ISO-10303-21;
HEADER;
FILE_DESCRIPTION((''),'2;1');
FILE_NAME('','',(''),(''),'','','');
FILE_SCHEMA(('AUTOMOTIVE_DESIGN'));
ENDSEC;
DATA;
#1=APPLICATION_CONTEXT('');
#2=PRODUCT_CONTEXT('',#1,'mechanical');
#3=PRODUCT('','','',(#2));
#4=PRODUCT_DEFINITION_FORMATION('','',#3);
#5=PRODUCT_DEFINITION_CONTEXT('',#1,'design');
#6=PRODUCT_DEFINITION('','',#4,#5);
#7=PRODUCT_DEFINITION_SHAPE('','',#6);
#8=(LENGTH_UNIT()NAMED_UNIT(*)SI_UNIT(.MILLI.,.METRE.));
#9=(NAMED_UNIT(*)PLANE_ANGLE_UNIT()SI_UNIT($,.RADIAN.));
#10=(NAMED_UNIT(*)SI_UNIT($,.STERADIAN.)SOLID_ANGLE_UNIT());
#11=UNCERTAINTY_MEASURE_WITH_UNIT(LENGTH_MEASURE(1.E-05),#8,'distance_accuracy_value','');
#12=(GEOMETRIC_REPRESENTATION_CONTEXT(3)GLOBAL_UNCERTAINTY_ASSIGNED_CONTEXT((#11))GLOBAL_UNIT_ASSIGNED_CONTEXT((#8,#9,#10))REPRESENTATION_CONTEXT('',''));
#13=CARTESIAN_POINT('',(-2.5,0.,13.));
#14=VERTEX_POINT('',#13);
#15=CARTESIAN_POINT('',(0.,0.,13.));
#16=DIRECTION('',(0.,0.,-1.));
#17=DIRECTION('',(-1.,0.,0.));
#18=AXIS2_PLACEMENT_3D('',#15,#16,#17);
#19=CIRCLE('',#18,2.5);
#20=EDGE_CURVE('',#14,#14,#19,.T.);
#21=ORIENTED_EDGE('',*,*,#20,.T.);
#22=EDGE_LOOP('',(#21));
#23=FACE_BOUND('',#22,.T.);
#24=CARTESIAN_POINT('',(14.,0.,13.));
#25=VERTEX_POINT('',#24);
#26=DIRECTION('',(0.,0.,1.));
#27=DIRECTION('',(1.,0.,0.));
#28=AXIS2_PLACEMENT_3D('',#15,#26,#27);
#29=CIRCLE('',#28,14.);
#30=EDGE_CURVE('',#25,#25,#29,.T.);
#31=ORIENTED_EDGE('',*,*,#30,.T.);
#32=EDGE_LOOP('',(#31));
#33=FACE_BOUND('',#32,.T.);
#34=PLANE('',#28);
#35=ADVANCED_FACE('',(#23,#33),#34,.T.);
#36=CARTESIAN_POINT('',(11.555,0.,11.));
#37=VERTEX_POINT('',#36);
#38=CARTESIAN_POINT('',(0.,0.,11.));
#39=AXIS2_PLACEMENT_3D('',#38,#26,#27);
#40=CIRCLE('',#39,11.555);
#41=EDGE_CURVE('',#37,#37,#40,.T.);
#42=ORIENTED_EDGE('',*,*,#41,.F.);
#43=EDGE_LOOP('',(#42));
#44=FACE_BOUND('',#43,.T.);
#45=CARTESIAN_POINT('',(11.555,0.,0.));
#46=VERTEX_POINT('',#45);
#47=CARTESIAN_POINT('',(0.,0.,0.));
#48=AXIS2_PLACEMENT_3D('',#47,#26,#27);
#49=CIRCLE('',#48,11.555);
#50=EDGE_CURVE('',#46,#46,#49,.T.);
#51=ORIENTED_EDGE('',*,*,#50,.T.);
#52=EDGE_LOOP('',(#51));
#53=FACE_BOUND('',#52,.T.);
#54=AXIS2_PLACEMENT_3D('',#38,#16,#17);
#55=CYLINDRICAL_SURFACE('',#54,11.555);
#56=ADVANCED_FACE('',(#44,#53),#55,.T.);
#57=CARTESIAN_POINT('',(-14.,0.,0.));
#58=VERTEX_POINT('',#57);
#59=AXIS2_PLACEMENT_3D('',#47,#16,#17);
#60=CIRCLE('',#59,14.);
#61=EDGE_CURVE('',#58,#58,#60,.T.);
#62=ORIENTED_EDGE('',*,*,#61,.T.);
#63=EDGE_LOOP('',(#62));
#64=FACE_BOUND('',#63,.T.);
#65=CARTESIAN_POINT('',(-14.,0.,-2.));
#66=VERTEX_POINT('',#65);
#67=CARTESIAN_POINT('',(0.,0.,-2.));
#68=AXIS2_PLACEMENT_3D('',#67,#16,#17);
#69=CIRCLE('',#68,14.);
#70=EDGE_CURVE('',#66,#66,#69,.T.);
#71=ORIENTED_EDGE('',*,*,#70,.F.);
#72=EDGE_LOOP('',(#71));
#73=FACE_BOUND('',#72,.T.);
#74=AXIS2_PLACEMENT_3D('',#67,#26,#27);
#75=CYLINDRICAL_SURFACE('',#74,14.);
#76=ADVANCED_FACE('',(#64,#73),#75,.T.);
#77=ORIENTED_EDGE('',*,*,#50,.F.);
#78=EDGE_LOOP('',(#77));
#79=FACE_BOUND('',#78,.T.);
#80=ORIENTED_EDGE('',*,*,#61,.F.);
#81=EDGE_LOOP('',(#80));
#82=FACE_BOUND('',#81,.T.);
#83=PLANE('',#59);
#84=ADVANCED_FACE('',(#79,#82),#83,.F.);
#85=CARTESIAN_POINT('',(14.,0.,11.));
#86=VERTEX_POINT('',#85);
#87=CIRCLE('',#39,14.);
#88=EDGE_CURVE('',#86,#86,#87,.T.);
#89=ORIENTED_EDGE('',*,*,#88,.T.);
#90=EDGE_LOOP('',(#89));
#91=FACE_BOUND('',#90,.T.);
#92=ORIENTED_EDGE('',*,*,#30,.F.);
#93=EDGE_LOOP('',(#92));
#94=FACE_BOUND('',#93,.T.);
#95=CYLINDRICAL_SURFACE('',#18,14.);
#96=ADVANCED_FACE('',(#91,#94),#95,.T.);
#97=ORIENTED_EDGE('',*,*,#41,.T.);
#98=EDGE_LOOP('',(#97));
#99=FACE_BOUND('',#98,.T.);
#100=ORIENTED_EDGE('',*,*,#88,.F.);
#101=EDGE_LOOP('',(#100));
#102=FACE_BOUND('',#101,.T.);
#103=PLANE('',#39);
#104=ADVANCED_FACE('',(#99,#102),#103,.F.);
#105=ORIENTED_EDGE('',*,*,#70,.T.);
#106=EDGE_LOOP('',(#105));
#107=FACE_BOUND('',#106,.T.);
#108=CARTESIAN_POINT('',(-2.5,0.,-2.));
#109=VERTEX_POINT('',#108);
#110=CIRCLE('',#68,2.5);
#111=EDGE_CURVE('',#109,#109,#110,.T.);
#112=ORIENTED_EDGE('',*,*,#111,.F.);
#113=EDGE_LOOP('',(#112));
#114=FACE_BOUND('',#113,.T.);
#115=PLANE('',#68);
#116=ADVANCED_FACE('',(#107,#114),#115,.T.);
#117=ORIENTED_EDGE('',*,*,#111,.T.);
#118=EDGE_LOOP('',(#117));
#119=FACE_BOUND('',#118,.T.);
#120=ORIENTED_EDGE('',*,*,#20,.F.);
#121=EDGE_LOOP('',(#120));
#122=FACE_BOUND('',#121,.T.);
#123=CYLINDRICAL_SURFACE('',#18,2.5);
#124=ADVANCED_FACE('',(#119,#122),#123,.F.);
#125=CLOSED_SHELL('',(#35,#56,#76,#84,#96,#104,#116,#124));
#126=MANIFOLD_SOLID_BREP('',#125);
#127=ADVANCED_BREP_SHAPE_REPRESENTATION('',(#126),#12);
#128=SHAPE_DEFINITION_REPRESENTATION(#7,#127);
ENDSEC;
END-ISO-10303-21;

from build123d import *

# Parameters (mm, degrees)
SKETCH_1_R          = 11.555
EXTRUDE_1_DEPTH     = 11
SKETCH_2_R          = 14
EXTRUDE_2_DEPTH     = 2
EXTRUDE_START       = 2
SKETCH_3_R          = 14
EXTRUDE_3_DEPTH     = 2
SKETCH_4_R          = 2.5
CUT_EXTRUDE_1_DEPTH = 25.839484697


with BuildPart() as part:
    # 草图1 → 凸台-拉伸1 (new body)
    with BuildSketch(Plane.XY):
        Circle(SKETCH_1_R)
    extrude(amount=EXTRUDE_1_DEPTH)

    # 草图2 → 凸台-拉伸2 (add)
    with BuildSketch(Plane.XY.offset(11)):
        Circle(SKETCH_2_R)
    extrude(amount=EXTRUDE_2_DEPTH)

    # 草图3 → 凸台-拉伸3 (add)
    with BuildSketch(Plane(origin=(0, 0, 0), x_dir=(-1, 0, 0), z_dir=(0, 0, -1)).offset(EXTRUDE_START)):
        with Locations(Location((0, 0, 0), (0, 0, 180))):
            Circle(SKETCH_3_R)
    extrude(amount=-EXTRUDE_3_DEPTH)

    # 草图4 → 切除-拉伸1 (cut, through all)
    with BuildSketch(Plane(origin=(0, 0, -2), x_dir=(-1, 0, 0), z_dir=(0, 0, -1))):
        Circle(SKETCH_4_R)
    extrude(amount=-CUT_EXTRUDE_1_DEPTH, mode=Mode.SUBTRACT)


solid = part.part
